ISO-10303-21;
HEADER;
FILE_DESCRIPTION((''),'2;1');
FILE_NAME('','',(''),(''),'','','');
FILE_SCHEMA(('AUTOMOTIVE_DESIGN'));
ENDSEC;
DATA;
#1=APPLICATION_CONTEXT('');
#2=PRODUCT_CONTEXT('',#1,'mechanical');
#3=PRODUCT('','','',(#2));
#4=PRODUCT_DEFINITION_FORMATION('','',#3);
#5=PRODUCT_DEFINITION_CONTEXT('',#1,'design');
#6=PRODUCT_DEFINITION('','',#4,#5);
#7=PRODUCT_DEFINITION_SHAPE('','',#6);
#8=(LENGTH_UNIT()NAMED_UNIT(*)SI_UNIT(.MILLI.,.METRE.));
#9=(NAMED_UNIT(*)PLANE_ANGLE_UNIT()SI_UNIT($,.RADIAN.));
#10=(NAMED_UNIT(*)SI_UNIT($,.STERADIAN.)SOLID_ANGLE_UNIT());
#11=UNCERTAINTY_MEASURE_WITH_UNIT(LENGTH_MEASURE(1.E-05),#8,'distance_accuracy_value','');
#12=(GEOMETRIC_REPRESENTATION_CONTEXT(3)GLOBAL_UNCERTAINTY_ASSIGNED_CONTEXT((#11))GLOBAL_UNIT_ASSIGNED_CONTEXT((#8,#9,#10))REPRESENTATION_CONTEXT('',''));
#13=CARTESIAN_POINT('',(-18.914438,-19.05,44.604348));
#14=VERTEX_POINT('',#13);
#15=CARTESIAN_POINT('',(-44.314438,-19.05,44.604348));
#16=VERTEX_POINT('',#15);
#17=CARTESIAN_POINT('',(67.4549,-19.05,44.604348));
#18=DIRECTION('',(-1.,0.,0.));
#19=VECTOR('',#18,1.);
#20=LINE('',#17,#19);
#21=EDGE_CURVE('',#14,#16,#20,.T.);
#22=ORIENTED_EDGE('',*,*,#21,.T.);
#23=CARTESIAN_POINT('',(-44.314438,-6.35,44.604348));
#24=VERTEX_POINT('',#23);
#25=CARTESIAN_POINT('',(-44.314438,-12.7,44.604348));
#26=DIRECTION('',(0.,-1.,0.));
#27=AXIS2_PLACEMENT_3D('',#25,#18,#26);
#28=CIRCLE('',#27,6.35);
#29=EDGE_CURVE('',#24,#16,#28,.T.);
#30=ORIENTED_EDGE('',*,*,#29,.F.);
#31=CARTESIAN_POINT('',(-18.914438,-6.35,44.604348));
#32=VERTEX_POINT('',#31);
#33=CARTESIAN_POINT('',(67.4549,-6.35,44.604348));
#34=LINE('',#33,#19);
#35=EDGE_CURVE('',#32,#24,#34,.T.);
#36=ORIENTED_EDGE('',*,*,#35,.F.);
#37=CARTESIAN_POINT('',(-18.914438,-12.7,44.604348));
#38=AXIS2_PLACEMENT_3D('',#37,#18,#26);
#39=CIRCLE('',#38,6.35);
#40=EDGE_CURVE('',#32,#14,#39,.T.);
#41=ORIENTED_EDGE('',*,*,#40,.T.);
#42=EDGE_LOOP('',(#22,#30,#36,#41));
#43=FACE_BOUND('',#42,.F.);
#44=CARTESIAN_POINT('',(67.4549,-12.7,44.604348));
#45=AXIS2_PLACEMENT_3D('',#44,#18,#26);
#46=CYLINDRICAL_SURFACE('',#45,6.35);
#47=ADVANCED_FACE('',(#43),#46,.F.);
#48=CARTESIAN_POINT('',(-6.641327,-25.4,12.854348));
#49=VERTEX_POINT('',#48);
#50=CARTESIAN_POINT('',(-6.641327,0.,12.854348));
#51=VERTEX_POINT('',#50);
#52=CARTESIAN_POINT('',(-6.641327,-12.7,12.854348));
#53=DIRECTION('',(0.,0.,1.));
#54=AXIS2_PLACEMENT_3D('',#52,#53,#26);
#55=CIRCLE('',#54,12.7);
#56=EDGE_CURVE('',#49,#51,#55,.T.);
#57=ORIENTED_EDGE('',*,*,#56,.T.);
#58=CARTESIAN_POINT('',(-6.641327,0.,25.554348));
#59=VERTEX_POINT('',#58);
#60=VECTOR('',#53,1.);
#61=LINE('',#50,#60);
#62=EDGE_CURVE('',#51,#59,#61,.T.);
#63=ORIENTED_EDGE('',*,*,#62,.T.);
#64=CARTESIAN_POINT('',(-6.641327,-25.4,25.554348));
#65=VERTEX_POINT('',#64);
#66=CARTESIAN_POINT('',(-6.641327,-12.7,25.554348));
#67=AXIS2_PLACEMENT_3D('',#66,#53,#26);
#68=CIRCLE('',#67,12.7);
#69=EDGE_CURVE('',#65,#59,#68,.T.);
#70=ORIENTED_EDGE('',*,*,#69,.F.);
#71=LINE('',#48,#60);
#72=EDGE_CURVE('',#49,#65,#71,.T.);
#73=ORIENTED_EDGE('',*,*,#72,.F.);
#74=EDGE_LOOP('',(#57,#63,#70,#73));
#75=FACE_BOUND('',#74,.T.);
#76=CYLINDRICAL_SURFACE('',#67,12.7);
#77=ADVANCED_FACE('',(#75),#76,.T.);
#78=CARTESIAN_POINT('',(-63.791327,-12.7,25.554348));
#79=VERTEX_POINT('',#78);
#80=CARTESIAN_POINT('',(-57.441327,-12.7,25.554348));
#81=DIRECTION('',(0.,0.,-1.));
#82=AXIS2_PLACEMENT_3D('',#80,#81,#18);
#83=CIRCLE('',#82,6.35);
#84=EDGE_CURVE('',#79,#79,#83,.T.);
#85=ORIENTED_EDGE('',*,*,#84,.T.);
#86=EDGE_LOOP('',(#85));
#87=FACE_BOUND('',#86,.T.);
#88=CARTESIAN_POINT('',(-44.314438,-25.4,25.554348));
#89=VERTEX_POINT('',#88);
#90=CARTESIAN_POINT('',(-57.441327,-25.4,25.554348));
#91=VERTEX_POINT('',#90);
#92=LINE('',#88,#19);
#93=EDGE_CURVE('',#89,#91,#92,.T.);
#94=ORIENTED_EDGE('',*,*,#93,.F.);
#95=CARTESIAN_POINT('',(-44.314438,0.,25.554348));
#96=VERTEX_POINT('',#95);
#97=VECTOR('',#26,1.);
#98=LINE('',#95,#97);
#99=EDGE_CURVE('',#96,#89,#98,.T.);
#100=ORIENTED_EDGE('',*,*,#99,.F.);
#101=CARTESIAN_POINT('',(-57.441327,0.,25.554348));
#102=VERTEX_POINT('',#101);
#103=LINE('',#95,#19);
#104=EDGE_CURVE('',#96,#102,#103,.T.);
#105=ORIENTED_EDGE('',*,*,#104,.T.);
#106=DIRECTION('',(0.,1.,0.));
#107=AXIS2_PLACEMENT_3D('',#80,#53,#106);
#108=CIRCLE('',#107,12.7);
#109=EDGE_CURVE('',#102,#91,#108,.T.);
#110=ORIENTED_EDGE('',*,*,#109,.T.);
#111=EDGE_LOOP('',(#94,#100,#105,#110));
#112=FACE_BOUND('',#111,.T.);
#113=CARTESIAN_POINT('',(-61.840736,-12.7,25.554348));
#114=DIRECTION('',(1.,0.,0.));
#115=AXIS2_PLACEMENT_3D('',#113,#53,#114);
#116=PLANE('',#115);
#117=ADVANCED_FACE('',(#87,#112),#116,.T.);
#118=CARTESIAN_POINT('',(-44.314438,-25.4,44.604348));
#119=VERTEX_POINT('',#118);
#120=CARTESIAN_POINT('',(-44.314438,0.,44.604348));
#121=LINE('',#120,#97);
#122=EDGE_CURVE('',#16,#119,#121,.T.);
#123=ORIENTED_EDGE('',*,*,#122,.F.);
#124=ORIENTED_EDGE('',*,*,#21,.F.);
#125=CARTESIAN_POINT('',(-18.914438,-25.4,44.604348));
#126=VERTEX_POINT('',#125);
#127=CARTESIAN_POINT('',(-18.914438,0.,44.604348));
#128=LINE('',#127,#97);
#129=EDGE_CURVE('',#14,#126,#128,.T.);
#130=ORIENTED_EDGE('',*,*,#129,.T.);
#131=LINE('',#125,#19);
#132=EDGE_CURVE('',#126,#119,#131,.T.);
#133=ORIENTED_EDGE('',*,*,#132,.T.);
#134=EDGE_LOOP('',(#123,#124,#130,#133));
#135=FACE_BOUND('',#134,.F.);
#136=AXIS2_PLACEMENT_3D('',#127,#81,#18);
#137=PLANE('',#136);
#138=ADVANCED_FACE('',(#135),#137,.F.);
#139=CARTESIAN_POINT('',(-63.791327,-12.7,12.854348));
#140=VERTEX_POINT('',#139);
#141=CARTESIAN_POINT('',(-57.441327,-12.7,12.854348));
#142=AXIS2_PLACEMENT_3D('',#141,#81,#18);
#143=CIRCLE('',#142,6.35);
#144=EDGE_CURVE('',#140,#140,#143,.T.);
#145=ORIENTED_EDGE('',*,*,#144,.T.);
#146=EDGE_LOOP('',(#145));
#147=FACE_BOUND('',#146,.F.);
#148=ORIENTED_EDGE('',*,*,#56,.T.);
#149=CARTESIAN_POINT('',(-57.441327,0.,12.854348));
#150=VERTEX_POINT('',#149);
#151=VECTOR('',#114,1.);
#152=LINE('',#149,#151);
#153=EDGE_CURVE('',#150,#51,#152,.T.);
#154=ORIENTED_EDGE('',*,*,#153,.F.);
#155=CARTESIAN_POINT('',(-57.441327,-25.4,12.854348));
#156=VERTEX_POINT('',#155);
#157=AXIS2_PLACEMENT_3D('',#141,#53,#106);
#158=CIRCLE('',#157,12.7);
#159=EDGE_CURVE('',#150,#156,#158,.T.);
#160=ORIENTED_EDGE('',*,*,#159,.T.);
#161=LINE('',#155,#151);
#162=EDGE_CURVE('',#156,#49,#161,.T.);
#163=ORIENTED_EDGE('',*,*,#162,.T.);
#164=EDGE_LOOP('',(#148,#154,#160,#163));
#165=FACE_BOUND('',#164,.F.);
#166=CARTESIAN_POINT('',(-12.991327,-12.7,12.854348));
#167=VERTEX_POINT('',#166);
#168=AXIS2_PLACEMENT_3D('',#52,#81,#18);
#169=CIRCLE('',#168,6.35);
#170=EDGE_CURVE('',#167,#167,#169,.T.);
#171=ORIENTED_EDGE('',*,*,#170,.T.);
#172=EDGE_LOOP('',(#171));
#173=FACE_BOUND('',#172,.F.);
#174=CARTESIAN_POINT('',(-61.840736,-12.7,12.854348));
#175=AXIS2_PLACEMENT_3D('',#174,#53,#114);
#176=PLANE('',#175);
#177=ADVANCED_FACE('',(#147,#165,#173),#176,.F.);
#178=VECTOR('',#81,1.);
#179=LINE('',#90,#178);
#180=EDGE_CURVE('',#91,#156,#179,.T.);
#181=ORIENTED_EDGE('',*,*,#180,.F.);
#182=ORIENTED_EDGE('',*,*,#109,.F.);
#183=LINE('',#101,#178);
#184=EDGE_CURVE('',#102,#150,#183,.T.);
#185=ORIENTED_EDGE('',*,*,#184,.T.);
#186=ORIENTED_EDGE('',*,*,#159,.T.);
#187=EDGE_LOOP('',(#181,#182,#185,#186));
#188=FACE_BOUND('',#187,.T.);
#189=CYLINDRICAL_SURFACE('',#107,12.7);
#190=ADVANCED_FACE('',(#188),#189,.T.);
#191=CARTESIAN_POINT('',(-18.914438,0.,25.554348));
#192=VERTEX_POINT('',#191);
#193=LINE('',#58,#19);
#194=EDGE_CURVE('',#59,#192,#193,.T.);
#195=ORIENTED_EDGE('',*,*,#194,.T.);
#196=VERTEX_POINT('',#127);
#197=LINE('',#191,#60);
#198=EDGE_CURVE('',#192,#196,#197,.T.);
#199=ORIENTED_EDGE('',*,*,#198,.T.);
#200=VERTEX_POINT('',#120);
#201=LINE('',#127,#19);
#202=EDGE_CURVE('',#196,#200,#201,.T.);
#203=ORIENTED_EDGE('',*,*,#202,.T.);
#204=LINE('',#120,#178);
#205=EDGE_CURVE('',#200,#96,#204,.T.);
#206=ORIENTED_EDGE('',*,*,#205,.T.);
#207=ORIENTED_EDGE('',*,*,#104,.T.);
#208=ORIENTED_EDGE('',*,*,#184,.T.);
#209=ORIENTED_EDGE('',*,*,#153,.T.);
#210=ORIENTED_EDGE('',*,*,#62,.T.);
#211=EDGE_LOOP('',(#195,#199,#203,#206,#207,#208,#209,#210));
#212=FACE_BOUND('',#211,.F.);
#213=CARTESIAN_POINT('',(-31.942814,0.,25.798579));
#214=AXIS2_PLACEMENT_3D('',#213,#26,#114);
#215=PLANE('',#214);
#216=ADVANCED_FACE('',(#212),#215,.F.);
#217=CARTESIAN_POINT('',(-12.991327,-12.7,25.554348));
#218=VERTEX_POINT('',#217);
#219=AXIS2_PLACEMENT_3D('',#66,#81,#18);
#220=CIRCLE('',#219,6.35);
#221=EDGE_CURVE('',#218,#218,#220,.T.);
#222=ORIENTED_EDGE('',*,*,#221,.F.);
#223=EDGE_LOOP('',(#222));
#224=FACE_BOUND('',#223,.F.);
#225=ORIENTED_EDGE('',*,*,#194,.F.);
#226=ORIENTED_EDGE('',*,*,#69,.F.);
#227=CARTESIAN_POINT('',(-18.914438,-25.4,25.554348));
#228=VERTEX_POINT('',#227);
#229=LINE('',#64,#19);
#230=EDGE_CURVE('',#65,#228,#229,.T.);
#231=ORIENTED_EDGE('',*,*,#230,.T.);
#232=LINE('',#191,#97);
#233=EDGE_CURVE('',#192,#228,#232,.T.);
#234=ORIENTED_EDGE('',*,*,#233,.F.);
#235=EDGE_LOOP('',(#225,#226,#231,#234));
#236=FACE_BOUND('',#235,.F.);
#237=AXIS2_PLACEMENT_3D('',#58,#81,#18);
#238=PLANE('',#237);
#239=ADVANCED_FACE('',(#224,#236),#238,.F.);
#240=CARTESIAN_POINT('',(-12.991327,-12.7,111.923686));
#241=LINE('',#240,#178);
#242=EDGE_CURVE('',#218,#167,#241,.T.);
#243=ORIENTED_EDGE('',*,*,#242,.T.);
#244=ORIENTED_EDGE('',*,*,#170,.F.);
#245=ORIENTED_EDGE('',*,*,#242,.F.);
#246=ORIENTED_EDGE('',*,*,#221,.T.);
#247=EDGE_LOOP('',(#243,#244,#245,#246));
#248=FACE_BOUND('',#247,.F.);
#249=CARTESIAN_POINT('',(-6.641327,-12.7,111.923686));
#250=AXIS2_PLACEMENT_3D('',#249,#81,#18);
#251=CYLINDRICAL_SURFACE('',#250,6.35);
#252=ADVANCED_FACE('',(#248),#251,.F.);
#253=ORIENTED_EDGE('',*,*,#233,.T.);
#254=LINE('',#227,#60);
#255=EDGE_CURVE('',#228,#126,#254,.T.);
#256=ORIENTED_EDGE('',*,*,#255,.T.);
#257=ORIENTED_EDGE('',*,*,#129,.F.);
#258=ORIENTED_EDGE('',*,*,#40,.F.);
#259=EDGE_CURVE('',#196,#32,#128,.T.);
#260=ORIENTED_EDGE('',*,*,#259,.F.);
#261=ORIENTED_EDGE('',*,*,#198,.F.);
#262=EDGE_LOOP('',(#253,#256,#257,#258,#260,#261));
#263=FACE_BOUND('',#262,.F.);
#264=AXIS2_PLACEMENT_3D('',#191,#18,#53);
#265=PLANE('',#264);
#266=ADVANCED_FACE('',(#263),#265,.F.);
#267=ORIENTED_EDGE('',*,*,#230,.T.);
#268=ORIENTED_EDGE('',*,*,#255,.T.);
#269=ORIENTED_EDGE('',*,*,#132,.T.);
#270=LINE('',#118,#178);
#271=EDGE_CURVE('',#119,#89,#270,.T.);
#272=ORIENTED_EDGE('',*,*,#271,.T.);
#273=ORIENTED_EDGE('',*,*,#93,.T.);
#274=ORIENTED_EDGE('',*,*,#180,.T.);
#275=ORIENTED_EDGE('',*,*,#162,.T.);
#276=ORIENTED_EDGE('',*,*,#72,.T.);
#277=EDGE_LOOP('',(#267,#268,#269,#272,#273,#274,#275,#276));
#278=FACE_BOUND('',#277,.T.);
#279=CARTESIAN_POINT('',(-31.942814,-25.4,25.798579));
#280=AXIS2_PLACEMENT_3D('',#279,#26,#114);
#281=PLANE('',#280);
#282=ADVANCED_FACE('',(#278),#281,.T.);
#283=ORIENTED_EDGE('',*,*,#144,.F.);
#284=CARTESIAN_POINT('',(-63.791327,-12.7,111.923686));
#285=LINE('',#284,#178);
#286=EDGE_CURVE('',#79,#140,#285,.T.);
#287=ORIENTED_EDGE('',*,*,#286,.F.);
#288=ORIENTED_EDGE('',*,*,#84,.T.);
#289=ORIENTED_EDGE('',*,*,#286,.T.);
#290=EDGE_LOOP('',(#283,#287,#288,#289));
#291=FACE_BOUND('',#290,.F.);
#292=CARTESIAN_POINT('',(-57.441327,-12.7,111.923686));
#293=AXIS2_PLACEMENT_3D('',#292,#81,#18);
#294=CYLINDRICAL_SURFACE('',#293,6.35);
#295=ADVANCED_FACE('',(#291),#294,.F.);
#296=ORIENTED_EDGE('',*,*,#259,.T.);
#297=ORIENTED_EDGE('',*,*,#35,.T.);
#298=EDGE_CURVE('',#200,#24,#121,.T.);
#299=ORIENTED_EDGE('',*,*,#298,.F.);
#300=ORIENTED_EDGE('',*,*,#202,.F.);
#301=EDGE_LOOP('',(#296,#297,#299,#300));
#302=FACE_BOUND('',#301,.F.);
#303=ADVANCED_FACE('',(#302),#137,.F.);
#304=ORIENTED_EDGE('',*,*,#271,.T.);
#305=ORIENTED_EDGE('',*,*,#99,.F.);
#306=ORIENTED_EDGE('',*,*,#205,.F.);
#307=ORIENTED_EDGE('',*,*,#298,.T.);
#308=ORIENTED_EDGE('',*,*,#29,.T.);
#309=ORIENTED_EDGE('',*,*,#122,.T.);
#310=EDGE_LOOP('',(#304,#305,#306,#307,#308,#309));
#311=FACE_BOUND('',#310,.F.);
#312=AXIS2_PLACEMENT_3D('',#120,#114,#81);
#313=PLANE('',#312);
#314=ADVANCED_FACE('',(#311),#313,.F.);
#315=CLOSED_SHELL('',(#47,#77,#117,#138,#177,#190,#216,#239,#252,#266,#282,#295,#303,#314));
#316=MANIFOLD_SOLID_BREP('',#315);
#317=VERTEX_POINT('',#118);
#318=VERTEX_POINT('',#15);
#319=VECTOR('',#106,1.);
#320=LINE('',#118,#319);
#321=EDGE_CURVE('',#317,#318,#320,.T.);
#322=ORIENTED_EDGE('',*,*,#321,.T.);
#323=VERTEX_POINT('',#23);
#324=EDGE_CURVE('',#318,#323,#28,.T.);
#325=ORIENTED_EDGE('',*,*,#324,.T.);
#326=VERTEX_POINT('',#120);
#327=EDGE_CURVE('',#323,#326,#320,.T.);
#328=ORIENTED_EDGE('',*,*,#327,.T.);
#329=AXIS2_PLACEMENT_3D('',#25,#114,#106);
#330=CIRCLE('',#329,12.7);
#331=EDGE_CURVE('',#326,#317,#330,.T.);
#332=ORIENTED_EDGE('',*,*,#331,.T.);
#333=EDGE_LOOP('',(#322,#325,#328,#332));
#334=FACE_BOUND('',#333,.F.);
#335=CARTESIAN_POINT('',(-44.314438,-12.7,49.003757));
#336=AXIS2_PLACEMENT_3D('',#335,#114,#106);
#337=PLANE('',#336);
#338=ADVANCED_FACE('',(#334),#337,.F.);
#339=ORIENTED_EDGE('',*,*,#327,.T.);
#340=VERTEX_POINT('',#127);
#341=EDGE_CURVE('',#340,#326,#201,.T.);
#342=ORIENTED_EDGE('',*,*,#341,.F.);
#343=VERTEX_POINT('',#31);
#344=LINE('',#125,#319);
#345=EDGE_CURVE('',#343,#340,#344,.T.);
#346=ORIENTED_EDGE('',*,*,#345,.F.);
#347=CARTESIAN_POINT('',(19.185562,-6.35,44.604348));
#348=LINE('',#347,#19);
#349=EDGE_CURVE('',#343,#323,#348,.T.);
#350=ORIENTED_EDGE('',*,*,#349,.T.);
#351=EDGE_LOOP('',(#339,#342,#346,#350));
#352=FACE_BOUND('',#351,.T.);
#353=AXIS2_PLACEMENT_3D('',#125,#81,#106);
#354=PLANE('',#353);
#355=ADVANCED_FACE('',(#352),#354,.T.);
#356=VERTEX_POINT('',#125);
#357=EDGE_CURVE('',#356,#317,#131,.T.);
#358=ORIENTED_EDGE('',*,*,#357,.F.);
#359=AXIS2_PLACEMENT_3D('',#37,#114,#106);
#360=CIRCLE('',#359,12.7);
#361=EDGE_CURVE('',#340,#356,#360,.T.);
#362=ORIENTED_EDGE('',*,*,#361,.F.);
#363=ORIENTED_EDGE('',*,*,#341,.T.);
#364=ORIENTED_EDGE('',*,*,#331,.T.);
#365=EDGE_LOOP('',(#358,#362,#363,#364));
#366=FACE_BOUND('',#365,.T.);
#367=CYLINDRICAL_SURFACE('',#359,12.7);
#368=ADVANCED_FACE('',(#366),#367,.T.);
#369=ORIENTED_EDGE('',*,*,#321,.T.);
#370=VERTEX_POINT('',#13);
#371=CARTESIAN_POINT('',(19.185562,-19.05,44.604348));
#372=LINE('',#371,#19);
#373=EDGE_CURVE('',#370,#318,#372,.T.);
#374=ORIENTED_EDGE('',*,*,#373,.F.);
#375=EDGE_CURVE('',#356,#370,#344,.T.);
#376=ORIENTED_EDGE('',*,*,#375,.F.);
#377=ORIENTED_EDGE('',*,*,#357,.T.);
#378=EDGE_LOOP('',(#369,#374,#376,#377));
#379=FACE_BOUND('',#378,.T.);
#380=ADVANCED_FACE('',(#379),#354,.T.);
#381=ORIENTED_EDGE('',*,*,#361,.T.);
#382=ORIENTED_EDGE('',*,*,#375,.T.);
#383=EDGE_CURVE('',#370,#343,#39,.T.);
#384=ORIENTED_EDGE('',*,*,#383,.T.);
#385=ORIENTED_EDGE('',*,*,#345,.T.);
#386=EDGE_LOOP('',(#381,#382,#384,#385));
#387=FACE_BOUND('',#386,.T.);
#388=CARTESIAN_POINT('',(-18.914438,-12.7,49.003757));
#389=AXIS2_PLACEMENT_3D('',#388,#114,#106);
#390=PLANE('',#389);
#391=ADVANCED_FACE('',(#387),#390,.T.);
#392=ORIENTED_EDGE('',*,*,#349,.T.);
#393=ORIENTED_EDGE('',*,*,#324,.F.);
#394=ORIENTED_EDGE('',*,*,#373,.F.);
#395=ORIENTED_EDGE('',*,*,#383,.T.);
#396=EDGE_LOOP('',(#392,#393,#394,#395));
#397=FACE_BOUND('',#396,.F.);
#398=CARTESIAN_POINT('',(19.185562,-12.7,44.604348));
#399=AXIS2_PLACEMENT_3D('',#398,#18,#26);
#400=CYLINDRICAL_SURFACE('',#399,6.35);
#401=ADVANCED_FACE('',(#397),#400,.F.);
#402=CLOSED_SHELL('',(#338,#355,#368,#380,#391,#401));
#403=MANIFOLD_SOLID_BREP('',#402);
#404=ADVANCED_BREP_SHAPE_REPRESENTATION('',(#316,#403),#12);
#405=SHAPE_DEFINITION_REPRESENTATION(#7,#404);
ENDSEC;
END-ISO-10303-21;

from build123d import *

# Parameters (mm, degrees)
F1_DEPTH = 25.4
F4_DEPTH = 12.7
F6_DEPTH = 25.4
F8_D     = 12.7
F10_D    = 12.7
F12_D    = 12.7
F12_2_D  = 12.7


with BuildPart() as f1:
    # F0 (on Front) → F1 (new body)
    with BuildSketch(Plane.XZ):
        Polygon((-18.914438, 44.604348), (-44.314438, 44.604348), (-44.314438, 25.554348), (-57.441327, 25.554348), (-57.441327, 12.854348), (-6.641327, 12.854348), (-6.641327, 25.554348), (-18.914438, 25.554348), align=None)
    extrude(amount=F1_DEPTH)

    # F3 (on face) + F2 (on face) → F4 (join)
    with BuildSketch(Plane.XY.offset(25.554348)):
        with BuildLine():
            Line((-57.441327, -25.4), (-57.441327, 0))
            ThreePointArc((-57.441327, 0), (-70.141327, -12.7), (-57.441327, -25.4))
        make_face()
    with BuildSketch(Plane.XY.offset(25.554348)):
        with BuildLine():
            Line((-6.641327, 0), (-6.641327, -25.4))
            ThreePointArc((-6.641327, -25.4), (6.058673, -12.7), (-6.641327, 0))
        make_face()
    extrude(amount=-F4_DEPTH)

    # F8 (through all)
    with Locations(Plane.XY.offset(25.554348)):
        with Locations((-57.441327, -12.7)):
            Hole(F8_D / 2)

    # F10 (through all)
    with Locations(Plane.XY.offset(25.554348)):
        with Locations((-6.641327, -12.7)):
            Hole(F10_D / 2)

    # F12 (through all)
    with Locations(Plane.YZ.offset(-18.914438)):
        with Locations((-12.7, 44.604348)):
            Hole(F12_D / 2)


with BuildPart() as f6:
    # F5 (on face) → F6 (new body)
    with BuildSketch(Plane.YZ.offset(-18.914438)):
        with BuildLine():
            Line((-25.4, 44.604348), (0, 44.604348))
            ThreePointArc((0, 44.604348), (-12.7, 57.304348), (-25.4, 44.604348))
        make_face()
    extrude(amount=-F6_DEPTH)

    # F12#2 (through all)
    with Locations(Plane.YZ.offset(-18.914438)):
        with Locations((-12.7, 44.604348)):
            Hole(F12_2_D / 2)


solid = Compound([f1.part, f6.part])
